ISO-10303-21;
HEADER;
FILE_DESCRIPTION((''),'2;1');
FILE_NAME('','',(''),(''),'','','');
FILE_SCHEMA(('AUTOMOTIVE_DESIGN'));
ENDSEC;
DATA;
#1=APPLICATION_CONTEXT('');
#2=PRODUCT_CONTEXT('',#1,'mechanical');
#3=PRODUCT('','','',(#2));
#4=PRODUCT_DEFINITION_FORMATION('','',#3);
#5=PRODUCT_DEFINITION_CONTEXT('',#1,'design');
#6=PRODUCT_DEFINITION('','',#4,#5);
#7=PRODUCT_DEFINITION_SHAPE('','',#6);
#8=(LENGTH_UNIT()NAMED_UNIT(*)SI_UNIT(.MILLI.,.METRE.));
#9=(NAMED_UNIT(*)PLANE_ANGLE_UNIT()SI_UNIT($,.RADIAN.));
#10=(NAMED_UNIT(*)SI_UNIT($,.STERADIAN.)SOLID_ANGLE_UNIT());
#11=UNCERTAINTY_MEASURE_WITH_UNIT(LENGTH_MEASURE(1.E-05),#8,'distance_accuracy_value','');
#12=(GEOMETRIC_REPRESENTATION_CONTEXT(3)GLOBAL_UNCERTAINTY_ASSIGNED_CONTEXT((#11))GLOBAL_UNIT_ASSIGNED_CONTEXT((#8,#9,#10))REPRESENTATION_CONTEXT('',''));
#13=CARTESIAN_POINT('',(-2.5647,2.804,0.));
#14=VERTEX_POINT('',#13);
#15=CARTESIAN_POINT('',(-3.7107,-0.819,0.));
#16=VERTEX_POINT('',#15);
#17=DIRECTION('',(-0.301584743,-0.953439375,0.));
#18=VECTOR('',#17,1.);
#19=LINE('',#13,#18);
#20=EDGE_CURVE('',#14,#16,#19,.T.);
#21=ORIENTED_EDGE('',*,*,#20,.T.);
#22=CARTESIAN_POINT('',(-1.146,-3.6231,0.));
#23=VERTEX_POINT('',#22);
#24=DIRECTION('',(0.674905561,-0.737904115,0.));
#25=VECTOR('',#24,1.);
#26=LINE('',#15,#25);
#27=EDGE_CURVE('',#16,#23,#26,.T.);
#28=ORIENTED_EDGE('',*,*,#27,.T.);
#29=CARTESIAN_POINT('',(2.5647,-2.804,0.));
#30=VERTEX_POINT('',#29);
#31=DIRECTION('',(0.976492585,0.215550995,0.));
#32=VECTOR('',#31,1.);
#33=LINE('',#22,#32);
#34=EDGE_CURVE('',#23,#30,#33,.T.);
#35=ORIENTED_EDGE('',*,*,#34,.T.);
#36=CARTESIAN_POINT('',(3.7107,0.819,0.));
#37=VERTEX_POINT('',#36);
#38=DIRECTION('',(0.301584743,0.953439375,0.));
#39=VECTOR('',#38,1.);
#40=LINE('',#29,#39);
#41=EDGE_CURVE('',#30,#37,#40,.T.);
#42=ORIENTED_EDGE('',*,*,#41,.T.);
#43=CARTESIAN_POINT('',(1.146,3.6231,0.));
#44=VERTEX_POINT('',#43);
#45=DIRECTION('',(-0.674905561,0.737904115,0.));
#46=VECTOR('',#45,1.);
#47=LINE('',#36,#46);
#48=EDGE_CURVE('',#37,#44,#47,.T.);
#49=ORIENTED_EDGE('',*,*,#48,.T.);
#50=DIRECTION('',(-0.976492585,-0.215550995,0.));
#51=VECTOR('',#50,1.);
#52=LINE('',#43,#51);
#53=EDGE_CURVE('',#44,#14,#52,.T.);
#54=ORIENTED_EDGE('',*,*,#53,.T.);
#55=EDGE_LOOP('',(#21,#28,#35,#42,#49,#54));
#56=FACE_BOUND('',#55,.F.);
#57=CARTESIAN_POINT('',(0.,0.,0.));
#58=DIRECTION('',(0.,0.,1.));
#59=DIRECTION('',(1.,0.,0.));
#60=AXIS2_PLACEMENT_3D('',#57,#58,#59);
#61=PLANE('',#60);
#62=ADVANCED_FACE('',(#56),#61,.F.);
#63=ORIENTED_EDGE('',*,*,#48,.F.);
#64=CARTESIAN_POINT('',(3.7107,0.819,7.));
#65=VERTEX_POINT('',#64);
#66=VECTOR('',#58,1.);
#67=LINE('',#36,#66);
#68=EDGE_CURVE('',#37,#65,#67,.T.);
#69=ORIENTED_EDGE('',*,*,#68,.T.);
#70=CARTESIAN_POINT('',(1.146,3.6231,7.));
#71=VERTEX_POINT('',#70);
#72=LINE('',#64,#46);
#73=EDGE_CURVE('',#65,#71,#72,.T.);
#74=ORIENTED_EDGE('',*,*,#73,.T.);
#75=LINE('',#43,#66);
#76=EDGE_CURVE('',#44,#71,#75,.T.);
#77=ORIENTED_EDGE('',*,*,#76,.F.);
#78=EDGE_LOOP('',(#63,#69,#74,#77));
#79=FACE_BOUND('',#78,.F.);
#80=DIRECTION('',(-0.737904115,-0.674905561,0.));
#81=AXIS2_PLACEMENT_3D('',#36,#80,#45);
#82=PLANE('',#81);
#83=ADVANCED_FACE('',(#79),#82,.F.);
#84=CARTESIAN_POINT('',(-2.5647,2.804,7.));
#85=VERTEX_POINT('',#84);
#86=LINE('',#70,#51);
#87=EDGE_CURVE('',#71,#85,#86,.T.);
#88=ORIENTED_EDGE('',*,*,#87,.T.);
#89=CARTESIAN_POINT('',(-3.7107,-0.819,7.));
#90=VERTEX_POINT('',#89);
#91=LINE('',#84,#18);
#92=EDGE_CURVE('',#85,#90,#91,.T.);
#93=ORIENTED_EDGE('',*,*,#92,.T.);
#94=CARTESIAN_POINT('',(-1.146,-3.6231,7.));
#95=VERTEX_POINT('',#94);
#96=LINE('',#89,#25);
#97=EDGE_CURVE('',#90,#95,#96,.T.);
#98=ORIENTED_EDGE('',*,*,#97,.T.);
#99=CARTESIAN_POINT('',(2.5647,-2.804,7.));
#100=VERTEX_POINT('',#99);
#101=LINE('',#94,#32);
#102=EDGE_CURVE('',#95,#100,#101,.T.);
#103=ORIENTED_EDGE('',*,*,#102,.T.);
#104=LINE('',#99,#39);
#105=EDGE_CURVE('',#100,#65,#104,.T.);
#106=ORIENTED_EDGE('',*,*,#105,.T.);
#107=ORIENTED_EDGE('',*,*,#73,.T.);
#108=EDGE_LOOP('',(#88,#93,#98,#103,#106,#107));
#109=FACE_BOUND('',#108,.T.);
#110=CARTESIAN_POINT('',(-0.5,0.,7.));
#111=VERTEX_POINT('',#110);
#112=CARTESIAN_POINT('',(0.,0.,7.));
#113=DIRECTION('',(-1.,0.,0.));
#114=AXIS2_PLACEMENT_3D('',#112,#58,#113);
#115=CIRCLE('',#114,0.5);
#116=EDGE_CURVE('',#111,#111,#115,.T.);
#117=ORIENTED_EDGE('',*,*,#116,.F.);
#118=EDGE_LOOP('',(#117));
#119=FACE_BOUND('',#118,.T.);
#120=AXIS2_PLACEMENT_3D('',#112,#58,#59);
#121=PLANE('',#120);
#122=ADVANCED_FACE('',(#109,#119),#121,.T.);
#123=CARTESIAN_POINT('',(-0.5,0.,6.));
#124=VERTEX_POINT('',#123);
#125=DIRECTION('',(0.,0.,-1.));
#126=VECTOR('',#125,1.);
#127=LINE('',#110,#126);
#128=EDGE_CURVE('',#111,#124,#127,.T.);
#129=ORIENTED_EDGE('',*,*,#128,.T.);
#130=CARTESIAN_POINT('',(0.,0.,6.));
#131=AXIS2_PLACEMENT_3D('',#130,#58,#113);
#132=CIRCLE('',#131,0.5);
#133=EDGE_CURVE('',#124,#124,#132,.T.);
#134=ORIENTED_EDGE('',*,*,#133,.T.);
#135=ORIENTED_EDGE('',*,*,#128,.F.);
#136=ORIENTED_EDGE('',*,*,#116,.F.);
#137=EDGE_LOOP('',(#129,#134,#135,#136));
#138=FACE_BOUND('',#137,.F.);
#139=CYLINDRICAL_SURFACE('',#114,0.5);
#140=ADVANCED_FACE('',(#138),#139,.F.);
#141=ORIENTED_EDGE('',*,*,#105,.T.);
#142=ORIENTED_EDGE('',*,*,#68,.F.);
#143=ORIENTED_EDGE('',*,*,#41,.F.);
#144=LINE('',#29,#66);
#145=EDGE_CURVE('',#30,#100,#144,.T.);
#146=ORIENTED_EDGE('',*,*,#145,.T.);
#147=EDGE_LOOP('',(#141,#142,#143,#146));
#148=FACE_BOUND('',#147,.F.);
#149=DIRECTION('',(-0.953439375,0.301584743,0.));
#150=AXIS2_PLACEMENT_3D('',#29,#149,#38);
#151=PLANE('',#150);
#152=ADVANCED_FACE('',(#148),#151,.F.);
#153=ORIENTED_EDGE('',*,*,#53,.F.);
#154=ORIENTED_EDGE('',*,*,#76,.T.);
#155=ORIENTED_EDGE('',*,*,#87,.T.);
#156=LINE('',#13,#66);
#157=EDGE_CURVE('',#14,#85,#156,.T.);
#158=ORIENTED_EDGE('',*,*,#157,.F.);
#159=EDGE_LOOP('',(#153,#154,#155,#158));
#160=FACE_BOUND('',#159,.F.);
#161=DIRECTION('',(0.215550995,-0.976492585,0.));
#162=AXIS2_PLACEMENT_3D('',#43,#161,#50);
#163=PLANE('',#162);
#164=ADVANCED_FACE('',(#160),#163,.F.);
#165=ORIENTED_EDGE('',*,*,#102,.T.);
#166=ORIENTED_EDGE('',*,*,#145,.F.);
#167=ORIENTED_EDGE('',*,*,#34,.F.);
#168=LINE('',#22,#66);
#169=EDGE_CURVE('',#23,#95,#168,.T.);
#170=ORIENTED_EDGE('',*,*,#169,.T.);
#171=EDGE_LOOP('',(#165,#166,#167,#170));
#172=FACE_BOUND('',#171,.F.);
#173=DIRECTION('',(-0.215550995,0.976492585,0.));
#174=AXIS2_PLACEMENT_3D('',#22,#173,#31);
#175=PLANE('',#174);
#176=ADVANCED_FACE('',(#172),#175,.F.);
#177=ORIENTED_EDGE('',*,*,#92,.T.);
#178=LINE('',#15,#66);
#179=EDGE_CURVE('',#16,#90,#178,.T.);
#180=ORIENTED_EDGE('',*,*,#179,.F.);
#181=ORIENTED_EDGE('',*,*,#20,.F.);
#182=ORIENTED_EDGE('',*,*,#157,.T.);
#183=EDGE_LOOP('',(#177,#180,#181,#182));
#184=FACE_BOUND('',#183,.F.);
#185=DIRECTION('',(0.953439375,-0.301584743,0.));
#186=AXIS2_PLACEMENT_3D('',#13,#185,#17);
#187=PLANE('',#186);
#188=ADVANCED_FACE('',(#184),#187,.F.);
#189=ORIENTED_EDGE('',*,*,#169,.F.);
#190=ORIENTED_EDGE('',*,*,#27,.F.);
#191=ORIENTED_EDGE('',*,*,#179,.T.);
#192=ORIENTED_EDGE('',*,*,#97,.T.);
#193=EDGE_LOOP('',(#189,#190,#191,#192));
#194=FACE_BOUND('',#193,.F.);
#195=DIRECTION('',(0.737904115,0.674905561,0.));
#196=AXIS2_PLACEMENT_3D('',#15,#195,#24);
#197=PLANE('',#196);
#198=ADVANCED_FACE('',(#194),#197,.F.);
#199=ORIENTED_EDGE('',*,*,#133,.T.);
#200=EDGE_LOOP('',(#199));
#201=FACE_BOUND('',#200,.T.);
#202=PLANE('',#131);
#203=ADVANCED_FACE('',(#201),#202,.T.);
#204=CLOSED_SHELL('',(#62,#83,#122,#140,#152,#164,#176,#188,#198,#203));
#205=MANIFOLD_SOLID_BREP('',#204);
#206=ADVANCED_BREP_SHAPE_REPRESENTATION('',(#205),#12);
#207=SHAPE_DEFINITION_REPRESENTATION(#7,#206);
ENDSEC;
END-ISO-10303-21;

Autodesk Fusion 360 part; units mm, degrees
sketch "Sketch1" plane through (0, 0, 0) normal (0, 0, 1) x (1, 0, 0)
  line L0 (2.5647, -2.804) -> (3.7107, 0.819)
  line L1 (3.7107, 0.819) -> (1.146, 3.6231)
  line L2 (1.146, 3.6231) -> (-2.5647, 2.804)
  line L3 (-2.5647, 2.804) -> (-3.7107, -0.819)
  line L4 (-3.7107, -0.819) -> (-1.146, -3.6231)
  line L5 (-1.146, -3.6231) -> (2.5647, -2.804)
  dimension "d1" = 3.8
extrude "Extrude1" add sketch "Sketch1" along normal blind 7
sketch "Sketch2" plane through (0, 0, 7) normal (0, 0, 1) x (-1, 0, 0)
  line L0 (1.146, 3.6231) -> (-2.5647, 2.804)
  line L1 (-2.5647, 2.804) -> (-3.7107, -0.819)
  line L2 (-3.7107, -0.819) -> (-1.146, -3.6231)
  line L3 (-1.146, -3.6231) -> (2.5647, -2.804)
  line L4 (2.5647, -2.804) -> (3.7107, 0.819)
  line L5 (3.7107, 0.819) -> (1.146, 3.6231)
  circle A0 centre (0, 0) radius 0.5
  dimension "d6" = 1
extrude "Extrude3" cut sketch "Sketch2" against normal blind 1 contours A0
equation "d1 = polygon_side"
equation "d2 = polygon_height"
equation "polygon_side = 3.8 mm"
equation "polygon_height = 7 mm"
equation "d6 = nail_radius * 2"
equation "nail_radius = 0.5 mm"
equation "nail_depth = 1 mm"
equation "d11 = -nail_depth"
